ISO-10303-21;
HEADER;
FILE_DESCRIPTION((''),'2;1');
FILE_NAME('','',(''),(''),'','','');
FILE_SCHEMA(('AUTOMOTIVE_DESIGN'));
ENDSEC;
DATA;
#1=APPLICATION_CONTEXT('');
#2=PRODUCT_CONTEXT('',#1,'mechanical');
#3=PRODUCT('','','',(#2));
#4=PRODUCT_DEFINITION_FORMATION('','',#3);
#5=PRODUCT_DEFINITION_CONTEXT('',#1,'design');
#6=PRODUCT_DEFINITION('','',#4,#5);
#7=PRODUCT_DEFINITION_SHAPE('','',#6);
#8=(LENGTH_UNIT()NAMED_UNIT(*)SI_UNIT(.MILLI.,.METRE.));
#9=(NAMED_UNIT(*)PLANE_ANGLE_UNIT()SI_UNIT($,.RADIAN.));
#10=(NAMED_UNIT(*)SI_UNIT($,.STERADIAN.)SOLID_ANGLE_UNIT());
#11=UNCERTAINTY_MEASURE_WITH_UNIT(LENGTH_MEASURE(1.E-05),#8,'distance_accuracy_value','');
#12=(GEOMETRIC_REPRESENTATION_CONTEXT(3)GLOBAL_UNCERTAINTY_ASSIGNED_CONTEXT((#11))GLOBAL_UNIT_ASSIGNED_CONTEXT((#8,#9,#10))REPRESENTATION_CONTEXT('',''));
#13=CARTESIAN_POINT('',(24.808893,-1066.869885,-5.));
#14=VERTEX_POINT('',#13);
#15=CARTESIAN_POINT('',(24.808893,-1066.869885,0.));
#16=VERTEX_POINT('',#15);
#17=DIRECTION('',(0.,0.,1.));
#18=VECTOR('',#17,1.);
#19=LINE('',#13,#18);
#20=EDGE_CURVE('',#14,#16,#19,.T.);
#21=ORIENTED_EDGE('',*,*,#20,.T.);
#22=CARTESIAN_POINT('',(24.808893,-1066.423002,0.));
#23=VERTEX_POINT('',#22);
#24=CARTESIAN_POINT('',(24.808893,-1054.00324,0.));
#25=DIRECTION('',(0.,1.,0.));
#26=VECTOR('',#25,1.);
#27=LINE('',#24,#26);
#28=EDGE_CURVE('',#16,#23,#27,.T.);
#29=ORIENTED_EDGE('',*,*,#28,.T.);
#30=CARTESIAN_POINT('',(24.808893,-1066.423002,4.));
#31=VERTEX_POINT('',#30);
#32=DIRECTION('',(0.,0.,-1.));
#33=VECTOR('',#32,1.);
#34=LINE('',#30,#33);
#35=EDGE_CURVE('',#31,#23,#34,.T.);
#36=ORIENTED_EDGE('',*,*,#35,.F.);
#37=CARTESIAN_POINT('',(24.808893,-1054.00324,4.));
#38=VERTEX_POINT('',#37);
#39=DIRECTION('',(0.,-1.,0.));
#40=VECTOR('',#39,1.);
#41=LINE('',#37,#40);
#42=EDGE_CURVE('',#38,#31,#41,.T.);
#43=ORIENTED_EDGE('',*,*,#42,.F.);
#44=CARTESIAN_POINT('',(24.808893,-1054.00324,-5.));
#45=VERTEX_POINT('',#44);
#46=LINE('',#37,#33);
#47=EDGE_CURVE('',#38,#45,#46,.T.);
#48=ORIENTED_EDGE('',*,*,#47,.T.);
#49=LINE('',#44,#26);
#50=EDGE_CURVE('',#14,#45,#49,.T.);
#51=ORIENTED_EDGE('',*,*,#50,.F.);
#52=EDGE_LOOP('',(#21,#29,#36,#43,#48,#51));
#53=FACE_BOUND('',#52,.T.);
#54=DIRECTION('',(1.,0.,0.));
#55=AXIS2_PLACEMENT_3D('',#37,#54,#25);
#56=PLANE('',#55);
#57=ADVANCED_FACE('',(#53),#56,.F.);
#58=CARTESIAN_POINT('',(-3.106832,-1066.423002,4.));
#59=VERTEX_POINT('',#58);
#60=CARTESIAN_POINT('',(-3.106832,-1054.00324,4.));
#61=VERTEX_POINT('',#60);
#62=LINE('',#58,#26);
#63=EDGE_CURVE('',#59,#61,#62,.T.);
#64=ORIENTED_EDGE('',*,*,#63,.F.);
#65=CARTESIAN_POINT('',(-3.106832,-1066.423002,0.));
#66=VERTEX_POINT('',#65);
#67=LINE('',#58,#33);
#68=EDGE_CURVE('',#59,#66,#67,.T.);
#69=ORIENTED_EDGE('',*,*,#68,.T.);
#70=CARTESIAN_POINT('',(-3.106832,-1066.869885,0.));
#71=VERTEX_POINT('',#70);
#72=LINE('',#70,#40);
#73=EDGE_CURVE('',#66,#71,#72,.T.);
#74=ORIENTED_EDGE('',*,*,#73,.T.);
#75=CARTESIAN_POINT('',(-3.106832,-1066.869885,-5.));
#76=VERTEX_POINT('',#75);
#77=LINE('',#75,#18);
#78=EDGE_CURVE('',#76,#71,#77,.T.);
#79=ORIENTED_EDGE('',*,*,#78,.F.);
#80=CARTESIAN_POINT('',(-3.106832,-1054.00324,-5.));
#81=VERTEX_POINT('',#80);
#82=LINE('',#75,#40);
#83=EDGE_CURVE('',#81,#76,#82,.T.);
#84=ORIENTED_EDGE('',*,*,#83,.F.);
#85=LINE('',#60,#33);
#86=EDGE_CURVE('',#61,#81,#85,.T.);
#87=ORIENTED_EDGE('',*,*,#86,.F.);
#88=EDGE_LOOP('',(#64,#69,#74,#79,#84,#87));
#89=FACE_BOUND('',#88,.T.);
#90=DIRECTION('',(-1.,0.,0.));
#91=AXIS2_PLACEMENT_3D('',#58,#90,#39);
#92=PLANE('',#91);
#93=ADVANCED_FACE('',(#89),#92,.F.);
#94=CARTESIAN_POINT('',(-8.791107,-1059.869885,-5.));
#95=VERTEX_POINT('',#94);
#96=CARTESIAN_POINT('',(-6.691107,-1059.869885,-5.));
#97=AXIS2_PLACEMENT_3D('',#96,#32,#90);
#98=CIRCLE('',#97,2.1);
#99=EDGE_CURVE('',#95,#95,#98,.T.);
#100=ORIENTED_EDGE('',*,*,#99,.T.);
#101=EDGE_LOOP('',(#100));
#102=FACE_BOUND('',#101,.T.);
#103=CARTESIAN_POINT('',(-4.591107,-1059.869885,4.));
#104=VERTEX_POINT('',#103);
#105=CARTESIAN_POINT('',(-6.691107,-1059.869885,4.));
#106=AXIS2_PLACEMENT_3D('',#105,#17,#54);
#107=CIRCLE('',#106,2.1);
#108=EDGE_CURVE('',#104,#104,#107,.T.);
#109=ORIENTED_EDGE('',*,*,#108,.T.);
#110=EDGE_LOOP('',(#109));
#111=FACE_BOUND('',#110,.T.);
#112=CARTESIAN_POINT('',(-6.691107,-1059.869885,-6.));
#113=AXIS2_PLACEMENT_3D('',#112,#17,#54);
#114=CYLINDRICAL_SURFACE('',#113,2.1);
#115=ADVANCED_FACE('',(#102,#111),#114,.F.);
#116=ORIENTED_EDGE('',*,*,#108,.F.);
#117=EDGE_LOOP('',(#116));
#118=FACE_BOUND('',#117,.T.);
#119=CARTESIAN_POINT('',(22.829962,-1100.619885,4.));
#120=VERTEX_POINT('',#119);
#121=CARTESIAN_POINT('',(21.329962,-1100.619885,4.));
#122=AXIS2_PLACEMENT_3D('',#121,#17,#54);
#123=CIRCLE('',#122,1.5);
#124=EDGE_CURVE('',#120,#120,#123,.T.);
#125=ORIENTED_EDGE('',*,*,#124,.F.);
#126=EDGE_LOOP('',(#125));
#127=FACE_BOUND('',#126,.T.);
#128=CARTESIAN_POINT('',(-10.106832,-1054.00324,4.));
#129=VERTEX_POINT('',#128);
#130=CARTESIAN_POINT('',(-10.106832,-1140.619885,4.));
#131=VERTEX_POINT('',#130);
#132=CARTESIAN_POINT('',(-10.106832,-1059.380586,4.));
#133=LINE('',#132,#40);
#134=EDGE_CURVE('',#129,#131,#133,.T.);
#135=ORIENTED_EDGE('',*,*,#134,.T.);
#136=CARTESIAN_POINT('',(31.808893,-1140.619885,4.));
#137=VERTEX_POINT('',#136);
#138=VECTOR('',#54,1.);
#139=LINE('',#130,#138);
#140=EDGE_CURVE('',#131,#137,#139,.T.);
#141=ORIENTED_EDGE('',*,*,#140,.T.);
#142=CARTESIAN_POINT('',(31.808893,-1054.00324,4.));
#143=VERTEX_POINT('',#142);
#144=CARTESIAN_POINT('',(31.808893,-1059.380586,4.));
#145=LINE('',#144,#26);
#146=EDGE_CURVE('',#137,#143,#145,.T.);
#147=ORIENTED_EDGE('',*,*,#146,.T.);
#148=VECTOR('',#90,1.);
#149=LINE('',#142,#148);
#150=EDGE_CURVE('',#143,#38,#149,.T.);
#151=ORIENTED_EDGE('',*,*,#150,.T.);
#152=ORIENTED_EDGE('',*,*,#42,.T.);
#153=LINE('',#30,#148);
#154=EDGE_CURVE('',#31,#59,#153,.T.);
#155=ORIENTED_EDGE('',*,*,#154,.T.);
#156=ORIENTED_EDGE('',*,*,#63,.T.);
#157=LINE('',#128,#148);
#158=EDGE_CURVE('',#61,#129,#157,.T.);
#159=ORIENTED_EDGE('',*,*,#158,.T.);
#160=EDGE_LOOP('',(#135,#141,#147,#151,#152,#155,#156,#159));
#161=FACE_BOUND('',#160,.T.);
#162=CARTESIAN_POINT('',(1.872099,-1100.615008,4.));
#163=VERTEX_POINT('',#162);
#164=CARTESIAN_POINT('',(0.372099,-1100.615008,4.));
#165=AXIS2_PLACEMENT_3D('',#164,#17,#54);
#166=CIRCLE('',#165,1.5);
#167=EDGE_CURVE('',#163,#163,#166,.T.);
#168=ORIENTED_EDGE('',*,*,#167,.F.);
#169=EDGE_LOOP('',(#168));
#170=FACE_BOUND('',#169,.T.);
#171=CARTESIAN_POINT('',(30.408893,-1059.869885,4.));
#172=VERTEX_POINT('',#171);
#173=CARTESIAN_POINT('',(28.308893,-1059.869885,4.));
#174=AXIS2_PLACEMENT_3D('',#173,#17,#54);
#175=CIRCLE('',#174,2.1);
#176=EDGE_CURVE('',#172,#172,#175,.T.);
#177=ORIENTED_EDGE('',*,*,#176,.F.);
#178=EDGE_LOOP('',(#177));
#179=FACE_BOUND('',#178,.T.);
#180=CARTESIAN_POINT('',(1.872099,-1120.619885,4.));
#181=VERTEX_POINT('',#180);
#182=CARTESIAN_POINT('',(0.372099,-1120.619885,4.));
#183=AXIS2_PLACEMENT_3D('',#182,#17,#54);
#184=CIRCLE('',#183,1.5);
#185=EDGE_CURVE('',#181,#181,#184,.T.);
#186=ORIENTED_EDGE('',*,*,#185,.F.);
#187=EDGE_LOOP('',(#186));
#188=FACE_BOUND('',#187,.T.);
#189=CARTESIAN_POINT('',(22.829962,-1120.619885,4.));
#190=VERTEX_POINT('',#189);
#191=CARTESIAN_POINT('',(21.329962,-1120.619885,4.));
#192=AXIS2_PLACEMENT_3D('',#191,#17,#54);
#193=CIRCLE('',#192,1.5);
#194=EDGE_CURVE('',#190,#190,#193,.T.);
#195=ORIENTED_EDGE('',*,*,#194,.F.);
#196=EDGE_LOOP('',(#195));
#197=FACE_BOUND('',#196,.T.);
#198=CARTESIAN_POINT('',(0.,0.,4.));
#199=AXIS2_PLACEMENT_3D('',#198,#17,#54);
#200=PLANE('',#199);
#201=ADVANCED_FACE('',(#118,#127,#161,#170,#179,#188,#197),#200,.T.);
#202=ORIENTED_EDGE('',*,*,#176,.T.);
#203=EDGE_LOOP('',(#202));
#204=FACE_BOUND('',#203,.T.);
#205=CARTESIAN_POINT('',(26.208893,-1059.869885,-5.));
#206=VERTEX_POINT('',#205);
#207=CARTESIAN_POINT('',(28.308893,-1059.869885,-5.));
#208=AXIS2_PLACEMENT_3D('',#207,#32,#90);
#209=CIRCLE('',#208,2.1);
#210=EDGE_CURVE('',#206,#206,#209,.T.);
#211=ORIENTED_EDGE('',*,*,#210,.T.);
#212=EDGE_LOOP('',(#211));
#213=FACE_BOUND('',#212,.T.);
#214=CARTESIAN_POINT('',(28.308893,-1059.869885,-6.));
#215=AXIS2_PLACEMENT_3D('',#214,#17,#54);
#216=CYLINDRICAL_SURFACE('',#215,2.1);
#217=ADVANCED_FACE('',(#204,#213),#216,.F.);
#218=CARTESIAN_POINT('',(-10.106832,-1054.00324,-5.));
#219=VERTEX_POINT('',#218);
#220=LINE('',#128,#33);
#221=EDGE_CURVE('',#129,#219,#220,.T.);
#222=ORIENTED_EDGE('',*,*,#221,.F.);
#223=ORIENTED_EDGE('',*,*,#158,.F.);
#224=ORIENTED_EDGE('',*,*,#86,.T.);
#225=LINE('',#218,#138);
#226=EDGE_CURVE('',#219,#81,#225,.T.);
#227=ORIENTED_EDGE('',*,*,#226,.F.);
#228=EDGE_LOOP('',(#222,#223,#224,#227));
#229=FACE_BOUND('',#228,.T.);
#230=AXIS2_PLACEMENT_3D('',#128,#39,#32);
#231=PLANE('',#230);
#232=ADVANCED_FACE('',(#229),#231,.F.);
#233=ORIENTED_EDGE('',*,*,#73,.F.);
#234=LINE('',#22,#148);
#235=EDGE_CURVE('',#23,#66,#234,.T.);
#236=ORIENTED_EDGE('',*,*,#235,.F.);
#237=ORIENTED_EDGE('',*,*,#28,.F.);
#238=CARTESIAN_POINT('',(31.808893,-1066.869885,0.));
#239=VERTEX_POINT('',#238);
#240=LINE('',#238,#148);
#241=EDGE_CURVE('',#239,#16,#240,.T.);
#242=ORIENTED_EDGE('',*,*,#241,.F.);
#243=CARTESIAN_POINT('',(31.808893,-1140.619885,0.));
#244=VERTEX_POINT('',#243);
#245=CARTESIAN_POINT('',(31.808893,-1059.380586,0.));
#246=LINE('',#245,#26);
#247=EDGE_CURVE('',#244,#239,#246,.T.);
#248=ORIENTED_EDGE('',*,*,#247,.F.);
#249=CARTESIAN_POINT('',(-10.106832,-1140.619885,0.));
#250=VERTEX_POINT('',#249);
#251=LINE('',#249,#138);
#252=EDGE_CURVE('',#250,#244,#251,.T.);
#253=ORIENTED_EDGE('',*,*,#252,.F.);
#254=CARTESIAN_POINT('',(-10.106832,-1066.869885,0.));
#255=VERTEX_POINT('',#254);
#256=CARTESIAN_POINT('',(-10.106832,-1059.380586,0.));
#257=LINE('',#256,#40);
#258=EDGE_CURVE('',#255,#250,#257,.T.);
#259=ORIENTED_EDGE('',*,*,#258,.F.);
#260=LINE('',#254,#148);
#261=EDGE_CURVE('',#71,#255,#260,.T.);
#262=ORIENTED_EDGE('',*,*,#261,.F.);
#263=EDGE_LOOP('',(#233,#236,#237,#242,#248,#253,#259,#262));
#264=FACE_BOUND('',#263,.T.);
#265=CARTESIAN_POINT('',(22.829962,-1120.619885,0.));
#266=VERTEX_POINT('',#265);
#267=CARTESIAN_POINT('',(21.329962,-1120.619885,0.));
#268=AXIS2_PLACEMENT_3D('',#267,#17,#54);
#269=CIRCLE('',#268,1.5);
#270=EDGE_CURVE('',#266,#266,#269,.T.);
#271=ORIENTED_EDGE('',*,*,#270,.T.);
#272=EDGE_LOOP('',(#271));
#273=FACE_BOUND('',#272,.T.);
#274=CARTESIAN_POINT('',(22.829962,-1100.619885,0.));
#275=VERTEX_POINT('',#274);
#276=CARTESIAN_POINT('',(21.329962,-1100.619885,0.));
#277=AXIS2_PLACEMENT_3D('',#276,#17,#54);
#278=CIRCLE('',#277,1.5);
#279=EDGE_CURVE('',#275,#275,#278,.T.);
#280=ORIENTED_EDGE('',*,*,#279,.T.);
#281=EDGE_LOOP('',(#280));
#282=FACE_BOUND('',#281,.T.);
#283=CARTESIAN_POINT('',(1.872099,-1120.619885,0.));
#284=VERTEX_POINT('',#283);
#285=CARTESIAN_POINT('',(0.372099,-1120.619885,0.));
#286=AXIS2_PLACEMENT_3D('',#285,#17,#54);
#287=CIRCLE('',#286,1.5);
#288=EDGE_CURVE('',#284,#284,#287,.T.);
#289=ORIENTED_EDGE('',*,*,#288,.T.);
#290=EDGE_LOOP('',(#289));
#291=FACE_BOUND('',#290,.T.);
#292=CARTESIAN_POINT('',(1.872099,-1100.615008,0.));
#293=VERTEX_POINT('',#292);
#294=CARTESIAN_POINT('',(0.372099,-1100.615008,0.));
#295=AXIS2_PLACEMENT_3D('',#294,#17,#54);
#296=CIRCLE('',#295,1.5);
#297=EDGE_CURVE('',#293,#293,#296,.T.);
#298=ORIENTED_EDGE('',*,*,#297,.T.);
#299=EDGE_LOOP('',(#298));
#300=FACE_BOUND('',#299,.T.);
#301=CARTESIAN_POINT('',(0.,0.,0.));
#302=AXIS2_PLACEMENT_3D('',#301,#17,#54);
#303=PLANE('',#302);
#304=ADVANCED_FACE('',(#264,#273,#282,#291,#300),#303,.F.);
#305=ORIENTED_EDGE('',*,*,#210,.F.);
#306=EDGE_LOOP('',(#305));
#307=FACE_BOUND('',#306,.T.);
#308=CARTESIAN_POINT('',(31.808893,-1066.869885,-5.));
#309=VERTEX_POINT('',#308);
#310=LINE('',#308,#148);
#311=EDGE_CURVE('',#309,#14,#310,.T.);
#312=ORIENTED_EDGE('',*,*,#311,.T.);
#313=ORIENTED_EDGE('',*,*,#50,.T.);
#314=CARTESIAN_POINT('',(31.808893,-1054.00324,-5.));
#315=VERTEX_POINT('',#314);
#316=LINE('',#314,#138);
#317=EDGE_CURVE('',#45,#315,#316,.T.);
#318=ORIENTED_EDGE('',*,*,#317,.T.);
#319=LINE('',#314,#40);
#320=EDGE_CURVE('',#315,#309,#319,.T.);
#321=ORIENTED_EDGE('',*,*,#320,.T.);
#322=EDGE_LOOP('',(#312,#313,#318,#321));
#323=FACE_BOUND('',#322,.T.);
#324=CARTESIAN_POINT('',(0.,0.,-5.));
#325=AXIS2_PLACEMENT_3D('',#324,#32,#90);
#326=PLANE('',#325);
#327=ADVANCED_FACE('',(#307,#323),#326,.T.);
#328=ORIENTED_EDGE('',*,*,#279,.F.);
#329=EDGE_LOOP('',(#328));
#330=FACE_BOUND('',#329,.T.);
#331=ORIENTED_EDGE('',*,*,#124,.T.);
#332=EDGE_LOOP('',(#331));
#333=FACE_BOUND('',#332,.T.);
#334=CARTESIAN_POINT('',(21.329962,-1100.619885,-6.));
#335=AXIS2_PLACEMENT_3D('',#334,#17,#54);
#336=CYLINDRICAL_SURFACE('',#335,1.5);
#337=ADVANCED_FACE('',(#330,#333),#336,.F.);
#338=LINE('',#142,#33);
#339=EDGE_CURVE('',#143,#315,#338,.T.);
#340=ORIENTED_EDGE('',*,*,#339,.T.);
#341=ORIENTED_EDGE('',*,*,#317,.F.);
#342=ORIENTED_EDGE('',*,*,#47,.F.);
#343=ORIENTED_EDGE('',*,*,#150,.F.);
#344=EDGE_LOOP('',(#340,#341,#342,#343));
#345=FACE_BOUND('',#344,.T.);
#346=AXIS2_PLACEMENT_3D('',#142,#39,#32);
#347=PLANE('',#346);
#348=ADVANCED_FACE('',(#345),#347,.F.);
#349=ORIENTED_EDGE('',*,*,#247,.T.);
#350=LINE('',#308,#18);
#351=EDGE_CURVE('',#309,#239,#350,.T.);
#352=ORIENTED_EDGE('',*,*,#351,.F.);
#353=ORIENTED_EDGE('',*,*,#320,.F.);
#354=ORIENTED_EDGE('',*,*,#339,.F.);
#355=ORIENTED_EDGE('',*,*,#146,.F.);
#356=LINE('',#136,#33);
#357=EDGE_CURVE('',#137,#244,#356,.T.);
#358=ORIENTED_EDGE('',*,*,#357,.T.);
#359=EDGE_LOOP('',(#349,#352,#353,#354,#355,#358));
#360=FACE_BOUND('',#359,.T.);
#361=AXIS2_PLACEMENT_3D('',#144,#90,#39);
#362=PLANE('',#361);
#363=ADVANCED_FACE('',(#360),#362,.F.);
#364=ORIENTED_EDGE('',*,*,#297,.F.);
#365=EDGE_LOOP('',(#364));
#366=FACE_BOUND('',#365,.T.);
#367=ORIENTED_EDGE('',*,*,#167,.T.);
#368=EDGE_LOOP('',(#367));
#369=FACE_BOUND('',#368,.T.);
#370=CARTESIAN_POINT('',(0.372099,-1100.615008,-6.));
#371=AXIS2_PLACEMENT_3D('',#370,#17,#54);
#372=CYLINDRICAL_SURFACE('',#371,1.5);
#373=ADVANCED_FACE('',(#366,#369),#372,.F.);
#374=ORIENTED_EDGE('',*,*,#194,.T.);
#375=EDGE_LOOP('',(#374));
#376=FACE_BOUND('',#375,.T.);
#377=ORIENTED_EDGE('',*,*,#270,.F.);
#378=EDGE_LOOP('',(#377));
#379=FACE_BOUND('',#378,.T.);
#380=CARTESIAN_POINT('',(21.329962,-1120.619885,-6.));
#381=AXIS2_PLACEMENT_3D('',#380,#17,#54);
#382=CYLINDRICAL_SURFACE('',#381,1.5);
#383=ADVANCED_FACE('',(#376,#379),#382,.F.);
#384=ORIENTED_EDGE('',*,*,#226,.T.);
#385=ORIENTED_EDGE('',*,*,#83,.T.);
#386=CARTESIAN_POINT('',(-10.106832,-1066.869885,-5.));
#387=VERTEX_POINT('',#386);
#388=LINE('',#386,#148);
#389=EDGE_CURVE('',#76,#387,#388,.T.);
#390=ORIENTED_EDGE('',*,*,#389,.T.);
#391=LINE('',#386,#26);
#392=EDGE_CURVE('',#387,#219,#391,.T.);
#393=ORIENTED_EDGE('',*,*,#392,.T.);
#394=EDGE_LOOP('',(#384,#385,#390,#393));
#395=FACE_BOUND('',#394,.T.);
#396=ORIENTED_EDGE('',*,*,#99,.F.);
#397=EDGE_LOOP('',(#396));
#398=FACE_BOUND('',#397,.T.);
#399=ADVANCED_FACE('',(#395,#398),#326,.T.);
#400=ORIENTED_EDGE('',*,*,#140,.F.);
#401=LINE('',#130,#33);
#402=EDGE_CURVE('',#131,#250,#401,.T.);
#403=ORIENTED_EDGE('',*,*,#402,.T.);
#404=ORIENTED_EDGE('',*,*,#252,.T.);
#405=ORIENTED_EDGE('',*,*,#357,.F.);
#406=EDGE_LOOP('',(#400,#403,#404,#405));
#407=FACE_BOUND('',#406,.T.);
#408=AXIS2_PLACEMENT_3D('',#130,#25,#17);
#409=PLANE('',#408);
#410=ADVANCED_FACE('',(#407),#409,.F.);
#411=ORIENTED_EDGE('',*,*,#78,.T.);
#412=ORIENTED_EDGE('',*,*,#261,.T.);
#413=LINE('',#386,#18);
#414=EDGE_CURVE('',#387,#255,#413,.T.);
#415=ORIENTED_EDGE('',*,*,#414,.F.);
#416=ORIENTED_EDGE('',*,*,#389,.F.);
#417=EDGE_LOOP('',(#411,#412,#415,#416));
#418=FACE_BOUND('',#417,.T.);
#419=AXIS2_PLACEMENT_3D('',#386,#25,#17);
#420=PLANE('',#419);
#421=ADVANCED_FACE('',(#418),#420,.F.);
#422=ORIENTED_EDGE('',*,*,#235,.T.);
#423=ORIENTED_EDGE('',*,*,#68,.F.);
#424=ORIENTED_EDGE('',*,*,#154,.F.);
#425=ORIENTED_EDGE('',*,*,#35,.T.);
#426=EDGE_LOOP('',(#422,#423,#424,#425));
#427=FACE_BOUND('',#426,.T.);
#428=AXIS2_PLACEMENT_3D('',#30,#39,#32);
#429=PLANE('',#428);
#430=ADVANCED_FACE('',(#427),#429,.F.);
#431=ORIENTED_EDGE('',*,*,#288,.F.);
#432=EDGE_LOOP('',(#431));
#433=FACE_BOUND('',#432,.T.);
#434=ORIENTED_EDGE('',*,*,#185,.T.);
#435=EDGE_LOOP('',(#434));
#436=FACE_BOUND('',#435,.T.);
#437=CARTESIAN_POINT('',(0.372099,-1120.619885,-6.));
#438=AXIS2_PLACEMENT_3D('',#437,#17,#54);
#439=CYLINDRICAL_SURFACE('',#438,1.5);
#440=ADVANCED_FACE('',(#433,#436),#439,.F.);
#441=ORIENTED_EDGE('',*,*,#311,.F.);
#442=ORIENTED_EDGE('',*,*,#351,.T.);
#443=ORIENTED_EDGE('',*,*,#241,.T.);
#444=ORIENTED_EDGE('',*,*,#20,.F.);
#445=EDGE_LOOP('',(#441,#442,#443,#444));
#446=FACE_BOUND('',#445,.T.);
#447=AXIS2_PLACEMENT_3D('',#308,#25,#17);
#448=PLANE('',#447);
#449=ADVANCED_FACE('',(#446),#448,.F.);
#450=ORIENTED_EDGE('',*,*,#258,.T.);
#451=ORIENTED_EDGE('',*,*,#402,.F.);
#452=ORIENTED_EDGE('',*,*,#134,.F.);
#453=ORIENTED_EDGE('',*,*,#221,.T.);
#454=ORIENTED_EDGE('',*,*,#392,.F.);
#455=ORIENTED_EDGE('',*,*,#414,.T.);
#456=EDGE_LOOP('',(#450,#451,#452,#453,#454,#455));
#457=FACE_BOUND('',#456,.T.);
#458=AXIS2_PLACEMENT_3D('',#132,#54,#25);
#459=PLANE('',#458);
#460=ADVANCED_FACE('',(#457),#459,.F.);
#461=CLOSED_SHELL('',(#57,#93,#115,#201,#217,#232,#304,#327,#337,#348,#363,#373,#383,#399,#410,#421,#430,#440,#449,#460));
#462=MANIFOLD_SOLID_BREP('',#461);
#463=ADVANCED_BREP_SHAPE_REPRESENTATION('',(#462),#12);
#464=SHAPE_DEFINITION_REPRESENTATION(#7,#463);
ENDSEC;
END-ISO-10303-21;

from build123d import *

# Parameters (mm, degrees)
SALIENTE_EXTRUIR1_DEPTH = 4
CROQUIS2_W              = 7
CROQUIS2_H              = 12.866645138
SALIENTE_EXTRUIR2_DEPTH = 5
CROQUIS3_R              = 2.1
CORTAR_EXTRUIR1_DEPTH   = 10
CROQUIS4_R              = 1.5
CORTAR_EXTRUIR2_DEPTH   = 10
CROQUIS5_R              = 1.5
CORTAR_EXTRUIR3_DEPTH   = 10


with BuildPart() as part:
    # Croquis1 → Saliente-Extruir1 (new body)
    with BuildSketch(Plane.XY):
        Polygon((31.808893405, -1059.380585752), (31.808893405, -1140.619885182), (-10.106831803, -1140.619885182), (-10.106831803, -1059.380585752), (-10.106831803, -1054.003240044), (-3.106831803, -1054.003240044), (-3.106831803, -1066.423001802), (24.808893405, -1066.423001802), (24.808893405, -1054.003240044), (31.808893405, -1054.003240044), align=None)
    extrude(amount=SALIENTE_EXTRUIR1_DEPTH)

    # Croquis2 → Saliente-Extruir2 (add)
    with BuildSketch(Plane(origin=(0, 0, 0), x_dir=(-1, 0, 0), z_dir=(0, 0, -1))):
        with Locations((6.606831803, -1060.436562613)):
            Rectangle(CROQUIS2_W, CROQUIS2_H)
        with Locations((-28.308893405, -1060.436562613)):
            Rectangle(CROQUIS2_W, CROQUIS2_H)
    extrude(amount=SALIENTE_EXTRUIR2_DEPTH)

    # Croquis3 → Cortar-Extruir1 (cut)
    with BuildSketch(Plane.XY.offset(4)):
        with Locations((-6.691106595, -1059.869885182)):
            Circle(CROQUIS3_R)
        with Locations((28.308893405, -1059.869885182)):
            Circle(CROQUIS3_R)
    extrude(amount=-CORTAR_EXTRUIR1_DEPTH, mode=Mode.SUBTRACT)

    # Croquis4 → Cortar-Extruir2 (cut)
    with BuildSketch(Plane.XY.offset(4)):
        with Locations((21.329962103, -1120.619885182)):
            Circle(CROQUIS4_R)
        with Locations((0.372099499, -1120.619885182)):
            Circle(CROQUIS4_R)
    extrude(amount=-CORTAR_EXTRUIR2_DEPTH, mode=Mode.SUBTRACT)

    # Croquis5 → Cortar-Extruir3 (cut)
    with BuildSketch(Plane.XY.offset(4)):
        with Locations((0.372099499, -1100.615007654)):
            Circle(CROQUIS5_R)
        with Locations((21.329962103, -1100.619885182)):
            Circle(CROQUIS5_R)
    extrude(amount=-CORTAR_EXTRUIR3_DEPTH, mode=Mode.SUBTRACT)


solid = part.part
